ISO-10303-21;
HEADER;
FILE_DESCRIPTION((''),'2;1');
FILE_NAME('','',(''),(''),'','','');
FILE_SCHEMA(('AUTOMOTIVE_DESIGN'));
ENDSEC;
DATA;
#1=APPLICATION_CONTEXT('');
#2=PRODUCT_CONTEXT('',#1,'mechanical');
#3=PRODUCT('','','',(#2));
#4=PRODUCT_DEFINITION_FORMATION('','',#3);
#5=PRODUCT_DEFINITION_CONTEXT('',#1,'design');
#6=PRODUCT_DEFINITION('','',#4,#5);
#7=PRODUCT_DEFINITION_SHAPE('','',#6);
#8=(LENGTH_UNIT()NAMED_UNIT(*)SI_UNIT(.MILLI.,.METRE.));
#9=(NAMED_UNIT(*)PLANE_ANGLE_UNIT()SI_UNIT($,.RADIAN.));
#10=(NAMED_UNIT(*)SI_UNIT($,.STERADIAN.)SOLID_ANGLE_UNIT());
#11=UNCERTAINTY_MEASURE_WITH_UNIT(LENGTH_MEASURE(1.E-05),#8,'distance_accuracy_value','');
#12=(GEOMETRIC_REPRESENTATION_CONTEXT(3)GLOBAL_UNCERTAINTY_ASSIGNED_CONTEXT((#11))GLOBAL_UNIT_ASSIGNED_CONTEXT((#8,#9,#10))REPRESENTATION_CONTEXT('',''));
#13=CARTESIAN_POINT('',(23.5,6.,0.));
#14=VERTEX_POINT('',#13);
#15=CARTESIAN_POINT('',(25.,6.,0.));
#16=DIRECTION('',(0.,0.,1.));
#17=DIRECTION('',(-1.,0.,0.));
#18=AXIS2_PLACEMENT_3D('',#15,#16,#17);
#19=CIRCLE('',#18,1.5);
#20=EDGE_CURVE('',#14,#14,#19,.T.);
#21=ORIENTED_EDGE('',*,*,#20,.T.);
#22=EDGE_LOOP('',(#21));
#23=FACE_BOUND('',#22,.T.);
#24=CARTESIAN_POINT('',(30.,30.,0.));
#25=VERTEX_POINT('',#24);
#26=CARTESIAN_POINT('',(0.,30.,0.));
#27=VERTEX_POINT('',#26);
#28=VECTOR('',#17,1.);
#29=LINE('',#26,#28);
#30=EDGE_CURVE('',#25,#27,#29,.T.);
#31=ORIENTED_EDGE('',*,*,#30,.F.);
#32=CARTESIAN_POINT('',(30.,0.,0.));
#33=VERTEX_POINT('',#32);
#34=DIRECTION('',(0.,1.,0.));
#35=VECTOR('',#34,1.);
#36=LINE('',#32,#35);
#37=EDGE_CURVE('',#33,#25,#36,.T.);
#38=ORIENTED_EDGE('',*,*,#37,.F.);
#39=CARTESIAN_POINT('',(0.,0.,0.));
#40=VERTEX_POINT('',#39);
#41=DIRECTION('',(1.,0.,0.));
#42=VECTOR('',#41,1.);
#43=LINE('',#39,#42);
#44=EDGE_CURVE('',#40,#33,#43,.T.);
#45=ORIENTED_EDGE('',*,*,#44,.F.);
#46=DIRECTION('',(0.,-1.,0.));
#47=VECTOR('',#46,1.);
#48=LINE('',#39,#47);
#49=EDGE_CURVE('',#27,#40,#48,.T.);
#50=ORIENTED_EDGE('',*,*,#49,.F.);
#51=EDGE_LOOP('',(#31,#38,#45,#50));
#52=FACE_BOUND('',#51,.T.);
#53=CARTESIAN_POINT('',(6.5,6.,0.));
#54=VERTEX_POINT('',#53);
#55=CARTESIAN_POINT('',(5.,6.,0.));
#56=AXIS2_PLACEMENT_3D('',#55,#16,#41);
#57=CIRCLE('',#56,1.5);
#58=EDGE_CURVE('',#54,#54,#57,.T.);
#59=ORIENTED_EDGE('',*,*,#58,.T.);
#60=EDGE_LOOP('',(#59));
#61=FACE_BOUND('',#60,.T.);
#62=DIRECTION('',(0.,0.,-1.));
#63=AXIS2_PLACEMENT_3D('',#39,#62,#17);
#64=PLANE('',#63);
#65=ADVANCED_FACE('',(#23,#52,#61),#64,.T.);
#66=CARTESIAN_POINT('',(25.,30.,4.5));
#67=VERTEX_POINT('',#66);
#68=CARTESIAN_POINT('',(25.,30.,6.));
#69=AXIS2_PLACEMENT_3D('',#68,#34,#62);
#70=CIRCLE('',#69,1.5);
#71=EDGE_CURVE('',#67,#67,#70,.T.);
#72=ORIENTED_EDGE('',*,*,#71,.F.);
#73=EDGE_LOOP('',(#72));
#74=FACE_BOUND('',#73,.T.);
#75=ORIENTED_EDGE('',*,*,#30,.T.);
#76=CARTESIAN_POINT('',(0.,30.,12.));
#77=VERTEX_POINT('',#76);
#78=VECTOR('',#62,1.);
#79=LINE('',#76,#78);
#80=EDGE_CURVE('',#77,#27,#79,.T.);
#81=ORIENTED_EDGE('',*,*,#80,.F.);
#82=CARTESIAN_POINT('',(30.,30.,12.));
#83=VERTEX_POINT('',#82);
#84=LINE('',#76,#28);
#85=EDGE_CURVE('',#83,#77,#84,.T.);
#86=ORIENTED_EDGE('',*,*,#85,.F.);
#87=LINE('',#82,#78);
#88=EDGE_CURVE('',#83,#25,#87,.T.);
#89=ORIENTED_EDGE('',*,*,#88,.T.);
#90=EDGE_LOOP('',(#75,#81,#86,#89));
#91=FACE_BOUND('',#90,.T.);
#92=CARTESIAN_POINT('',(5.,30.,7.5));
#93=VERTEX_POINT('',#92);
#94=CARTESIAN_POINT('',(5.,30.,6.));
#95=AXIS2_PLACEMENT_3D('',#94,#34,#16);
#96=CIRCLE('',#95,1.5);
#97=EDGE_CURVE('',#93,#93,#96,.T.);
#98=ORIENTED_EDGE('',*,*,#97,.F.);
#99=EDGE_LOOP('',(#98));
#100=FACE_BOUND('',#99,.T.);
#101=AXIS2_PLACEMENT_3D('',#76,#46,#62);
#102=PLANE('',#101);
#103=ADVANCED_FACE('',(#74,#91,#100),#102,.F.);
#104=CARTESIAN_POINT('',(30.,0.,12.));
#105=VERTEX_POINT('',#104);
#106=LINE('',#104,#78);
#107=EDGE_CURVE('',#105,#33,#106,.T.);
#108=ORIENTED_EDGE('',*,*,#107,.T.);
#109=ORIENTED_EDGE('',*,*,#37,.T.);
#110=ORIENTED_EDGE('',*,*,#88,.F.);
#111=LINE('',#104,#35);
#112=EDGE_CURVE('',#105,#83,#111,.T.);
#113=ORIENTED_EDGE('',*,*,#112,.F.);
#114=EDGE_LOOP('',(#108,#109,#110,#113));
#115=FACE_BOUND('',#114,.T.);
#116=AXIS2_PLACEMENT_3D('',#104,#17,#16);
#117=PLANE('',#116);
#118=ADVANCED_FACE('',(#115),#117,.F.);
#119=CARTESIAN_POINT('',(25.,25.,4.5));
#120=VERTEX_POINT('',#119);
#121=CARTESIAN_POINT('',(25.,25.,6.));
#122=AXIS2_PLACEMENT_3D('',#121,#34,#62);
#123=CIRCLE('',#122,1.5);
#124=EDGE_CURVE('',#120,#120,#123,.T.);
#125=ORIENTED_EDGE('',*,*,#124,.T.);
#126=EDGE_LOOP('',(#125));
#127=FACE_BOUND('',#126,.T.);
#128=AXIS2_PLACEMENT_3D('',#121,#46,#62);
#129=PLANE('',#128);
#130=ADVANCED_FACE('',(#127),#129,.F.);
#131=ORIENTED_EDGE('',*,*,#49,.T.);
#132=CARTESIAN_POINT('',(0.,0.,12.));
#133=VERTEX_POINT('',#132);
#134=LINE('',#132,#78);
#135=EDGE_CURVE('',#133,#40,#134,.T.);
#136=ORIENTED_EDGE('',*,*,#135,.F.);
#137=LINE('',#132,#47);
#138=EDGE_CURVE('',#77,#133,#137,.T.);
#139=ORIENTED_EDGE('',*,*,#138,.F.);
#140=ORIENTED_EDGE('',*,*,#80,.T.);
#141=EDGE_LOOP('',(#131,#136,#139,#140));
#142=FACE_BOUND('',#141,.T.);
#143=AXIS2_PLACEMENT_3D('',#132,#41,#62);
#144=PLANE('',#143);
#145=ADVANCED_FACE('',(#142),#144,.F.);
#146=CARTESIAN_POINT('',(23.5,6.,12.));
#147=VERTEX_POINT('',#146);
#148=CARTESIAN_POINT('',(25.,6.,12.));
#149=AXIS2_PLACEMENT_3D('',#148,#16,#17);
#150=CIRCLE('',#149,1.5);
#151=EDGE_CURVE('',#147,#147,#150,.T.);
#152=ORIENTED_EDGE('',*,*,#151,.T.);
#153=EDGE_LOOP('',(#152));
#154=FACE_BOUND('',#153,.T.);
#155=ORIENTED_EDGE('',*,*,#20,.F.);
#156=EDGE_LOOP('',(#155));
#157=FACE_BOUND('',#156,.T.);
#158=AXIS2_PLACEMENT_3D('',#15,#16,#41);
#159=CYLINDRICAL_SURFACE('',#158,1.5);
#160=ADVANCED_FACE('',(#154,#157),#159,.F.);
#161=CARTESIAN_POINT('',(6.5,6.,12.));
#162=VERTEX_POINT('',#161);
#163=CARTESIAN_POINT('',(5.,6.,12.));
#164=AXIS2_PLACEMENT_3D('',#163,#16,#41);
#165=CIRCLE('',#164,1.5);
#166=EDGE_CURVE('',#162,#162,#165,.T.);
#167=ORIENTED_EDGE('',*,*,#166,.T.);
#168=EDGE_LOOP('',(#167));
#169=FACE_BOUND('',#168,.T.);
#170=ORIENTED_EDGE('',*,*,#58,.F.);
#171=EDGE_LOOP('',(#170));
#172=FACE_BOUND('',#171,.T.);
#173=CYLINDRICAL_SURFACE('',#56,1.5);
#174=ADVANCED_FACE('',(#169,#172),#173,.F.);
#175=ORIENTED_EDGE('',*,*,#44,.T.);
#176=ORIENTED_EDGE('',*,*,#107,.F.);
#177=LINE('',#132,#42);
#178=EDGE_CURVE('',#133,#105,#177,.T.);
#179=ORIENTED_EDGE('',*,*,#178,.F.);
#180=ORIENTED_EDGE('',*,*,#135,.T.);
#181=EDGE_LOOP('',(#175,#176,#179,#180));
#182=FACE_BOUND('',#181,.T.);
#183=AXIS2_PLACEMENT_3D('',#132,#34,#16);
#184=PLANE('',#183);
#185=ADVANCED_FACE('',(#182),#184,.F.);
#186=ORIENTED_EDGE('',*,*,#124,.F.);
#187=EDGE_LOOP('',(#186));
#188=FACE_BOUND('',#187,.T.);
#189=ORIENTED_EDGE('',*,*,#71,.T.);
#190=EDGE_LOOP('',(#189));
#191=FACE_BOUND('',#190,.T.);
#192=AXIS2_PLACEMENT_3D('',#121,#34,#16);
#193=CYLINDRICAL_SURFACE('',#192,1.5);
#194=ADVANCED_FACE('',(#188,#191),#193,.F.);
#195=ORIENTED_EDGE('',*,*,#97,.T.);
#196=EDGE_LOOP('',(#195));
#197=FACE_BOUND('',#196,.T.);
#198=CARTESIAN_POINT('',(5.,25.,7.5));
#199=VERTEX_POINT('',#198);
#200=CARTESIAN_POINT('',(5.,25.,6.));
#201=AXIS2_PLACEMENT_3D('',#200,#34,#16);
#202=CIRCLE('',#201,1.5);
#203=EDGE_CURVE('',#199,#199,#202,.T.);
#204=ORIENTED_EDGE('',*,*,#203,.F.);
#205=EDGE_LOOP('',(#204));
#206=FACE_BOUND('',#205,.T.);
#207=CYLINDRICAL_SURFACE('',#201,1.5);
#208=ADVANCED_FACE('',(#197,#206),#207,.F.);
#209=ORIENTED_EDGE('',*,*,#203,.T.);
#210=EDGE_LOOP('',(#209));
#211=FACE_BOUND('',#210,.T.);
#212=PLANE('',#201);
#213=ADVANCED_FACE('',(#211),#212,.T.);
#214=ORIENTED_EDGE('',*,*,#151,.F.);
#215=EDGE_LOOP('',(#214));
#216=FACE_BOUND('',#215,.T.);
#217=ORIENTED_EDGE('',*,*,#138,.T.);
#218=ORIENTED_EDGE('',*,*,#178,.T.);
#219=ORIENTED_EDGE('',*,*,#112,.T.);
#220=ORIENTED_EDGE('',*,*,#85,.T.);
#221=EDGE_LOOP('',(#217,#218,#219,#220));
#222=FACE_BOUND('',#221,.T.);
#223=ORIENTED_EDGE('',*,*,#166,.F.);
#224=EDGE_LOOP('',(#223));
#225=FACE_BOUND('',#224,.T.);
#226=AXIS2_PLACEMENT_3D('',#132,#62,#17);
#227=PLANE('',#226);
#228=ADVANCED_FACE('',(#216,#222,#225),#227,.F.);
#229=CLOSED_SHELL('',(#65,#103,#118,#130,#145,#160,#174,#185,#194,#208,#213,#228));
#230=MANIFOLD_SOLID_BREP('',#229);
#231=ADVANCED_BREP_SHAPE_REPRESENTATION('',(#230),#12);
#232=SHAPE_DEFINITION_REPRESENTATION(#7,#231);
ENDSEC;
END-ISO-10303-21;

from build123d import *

# Parameters (mm, degrees)
SKETCH1_W           = 30
SKETCH1_H           = 30
BOSS_EXTRUDE1_DEPTH = 12
SKETCH2_R           = 1.5
CUT_EXTRUDE1_DEPTH  = 45.09081537
SKETCH3_R           = 1.5
CUT_EXTRUDE2_DEPTH  = 5


with BuildPart() as part:
    # Sketch1 → Boss-Extrude1 (new body)
    with BuildSketch(Plane.XY):
        with Locations((15, 15)):
            Rectangle(SKETCH1_W, SKETCH1_H)
    extrude(amount=BOSS_EXTRUDE1_DEPTH)

    # Sketch2 → Cut-Extrude1 (cut, through all)
    with BuildSketch(Plane.XY.offset(12)):
        with Locations((5, 6)):
            Circle(SKETCH2_R)
        with Locations(Location((25, 6, 0), (0, 0, 180))):
            Circle(SKETCH2_R)
    extrude(amount=-CUT_EXTRUDE1_DEPTH, mode=Mode.SUBTRACT)

    # Sketch3 → Cut-Extrude2 (cut)
    with BuildSketch(Plane(origin=(0, 30, 0), x_dir=(1, 0, 0), z_dir=(0, 1, 0))):
        with Locations(Location((5, -6, 0), (0, 0, 270))):
            Circle(SKETCH3_R)
        with Locations(Location((25, -6, 0), (0, 0, 90))):
            Circle(SKETCH3_R)
    extrude(amount=-CUT_EXTRUDE2_DEPTH, mode=Mode.SUBTRACT)


solid = part.part
